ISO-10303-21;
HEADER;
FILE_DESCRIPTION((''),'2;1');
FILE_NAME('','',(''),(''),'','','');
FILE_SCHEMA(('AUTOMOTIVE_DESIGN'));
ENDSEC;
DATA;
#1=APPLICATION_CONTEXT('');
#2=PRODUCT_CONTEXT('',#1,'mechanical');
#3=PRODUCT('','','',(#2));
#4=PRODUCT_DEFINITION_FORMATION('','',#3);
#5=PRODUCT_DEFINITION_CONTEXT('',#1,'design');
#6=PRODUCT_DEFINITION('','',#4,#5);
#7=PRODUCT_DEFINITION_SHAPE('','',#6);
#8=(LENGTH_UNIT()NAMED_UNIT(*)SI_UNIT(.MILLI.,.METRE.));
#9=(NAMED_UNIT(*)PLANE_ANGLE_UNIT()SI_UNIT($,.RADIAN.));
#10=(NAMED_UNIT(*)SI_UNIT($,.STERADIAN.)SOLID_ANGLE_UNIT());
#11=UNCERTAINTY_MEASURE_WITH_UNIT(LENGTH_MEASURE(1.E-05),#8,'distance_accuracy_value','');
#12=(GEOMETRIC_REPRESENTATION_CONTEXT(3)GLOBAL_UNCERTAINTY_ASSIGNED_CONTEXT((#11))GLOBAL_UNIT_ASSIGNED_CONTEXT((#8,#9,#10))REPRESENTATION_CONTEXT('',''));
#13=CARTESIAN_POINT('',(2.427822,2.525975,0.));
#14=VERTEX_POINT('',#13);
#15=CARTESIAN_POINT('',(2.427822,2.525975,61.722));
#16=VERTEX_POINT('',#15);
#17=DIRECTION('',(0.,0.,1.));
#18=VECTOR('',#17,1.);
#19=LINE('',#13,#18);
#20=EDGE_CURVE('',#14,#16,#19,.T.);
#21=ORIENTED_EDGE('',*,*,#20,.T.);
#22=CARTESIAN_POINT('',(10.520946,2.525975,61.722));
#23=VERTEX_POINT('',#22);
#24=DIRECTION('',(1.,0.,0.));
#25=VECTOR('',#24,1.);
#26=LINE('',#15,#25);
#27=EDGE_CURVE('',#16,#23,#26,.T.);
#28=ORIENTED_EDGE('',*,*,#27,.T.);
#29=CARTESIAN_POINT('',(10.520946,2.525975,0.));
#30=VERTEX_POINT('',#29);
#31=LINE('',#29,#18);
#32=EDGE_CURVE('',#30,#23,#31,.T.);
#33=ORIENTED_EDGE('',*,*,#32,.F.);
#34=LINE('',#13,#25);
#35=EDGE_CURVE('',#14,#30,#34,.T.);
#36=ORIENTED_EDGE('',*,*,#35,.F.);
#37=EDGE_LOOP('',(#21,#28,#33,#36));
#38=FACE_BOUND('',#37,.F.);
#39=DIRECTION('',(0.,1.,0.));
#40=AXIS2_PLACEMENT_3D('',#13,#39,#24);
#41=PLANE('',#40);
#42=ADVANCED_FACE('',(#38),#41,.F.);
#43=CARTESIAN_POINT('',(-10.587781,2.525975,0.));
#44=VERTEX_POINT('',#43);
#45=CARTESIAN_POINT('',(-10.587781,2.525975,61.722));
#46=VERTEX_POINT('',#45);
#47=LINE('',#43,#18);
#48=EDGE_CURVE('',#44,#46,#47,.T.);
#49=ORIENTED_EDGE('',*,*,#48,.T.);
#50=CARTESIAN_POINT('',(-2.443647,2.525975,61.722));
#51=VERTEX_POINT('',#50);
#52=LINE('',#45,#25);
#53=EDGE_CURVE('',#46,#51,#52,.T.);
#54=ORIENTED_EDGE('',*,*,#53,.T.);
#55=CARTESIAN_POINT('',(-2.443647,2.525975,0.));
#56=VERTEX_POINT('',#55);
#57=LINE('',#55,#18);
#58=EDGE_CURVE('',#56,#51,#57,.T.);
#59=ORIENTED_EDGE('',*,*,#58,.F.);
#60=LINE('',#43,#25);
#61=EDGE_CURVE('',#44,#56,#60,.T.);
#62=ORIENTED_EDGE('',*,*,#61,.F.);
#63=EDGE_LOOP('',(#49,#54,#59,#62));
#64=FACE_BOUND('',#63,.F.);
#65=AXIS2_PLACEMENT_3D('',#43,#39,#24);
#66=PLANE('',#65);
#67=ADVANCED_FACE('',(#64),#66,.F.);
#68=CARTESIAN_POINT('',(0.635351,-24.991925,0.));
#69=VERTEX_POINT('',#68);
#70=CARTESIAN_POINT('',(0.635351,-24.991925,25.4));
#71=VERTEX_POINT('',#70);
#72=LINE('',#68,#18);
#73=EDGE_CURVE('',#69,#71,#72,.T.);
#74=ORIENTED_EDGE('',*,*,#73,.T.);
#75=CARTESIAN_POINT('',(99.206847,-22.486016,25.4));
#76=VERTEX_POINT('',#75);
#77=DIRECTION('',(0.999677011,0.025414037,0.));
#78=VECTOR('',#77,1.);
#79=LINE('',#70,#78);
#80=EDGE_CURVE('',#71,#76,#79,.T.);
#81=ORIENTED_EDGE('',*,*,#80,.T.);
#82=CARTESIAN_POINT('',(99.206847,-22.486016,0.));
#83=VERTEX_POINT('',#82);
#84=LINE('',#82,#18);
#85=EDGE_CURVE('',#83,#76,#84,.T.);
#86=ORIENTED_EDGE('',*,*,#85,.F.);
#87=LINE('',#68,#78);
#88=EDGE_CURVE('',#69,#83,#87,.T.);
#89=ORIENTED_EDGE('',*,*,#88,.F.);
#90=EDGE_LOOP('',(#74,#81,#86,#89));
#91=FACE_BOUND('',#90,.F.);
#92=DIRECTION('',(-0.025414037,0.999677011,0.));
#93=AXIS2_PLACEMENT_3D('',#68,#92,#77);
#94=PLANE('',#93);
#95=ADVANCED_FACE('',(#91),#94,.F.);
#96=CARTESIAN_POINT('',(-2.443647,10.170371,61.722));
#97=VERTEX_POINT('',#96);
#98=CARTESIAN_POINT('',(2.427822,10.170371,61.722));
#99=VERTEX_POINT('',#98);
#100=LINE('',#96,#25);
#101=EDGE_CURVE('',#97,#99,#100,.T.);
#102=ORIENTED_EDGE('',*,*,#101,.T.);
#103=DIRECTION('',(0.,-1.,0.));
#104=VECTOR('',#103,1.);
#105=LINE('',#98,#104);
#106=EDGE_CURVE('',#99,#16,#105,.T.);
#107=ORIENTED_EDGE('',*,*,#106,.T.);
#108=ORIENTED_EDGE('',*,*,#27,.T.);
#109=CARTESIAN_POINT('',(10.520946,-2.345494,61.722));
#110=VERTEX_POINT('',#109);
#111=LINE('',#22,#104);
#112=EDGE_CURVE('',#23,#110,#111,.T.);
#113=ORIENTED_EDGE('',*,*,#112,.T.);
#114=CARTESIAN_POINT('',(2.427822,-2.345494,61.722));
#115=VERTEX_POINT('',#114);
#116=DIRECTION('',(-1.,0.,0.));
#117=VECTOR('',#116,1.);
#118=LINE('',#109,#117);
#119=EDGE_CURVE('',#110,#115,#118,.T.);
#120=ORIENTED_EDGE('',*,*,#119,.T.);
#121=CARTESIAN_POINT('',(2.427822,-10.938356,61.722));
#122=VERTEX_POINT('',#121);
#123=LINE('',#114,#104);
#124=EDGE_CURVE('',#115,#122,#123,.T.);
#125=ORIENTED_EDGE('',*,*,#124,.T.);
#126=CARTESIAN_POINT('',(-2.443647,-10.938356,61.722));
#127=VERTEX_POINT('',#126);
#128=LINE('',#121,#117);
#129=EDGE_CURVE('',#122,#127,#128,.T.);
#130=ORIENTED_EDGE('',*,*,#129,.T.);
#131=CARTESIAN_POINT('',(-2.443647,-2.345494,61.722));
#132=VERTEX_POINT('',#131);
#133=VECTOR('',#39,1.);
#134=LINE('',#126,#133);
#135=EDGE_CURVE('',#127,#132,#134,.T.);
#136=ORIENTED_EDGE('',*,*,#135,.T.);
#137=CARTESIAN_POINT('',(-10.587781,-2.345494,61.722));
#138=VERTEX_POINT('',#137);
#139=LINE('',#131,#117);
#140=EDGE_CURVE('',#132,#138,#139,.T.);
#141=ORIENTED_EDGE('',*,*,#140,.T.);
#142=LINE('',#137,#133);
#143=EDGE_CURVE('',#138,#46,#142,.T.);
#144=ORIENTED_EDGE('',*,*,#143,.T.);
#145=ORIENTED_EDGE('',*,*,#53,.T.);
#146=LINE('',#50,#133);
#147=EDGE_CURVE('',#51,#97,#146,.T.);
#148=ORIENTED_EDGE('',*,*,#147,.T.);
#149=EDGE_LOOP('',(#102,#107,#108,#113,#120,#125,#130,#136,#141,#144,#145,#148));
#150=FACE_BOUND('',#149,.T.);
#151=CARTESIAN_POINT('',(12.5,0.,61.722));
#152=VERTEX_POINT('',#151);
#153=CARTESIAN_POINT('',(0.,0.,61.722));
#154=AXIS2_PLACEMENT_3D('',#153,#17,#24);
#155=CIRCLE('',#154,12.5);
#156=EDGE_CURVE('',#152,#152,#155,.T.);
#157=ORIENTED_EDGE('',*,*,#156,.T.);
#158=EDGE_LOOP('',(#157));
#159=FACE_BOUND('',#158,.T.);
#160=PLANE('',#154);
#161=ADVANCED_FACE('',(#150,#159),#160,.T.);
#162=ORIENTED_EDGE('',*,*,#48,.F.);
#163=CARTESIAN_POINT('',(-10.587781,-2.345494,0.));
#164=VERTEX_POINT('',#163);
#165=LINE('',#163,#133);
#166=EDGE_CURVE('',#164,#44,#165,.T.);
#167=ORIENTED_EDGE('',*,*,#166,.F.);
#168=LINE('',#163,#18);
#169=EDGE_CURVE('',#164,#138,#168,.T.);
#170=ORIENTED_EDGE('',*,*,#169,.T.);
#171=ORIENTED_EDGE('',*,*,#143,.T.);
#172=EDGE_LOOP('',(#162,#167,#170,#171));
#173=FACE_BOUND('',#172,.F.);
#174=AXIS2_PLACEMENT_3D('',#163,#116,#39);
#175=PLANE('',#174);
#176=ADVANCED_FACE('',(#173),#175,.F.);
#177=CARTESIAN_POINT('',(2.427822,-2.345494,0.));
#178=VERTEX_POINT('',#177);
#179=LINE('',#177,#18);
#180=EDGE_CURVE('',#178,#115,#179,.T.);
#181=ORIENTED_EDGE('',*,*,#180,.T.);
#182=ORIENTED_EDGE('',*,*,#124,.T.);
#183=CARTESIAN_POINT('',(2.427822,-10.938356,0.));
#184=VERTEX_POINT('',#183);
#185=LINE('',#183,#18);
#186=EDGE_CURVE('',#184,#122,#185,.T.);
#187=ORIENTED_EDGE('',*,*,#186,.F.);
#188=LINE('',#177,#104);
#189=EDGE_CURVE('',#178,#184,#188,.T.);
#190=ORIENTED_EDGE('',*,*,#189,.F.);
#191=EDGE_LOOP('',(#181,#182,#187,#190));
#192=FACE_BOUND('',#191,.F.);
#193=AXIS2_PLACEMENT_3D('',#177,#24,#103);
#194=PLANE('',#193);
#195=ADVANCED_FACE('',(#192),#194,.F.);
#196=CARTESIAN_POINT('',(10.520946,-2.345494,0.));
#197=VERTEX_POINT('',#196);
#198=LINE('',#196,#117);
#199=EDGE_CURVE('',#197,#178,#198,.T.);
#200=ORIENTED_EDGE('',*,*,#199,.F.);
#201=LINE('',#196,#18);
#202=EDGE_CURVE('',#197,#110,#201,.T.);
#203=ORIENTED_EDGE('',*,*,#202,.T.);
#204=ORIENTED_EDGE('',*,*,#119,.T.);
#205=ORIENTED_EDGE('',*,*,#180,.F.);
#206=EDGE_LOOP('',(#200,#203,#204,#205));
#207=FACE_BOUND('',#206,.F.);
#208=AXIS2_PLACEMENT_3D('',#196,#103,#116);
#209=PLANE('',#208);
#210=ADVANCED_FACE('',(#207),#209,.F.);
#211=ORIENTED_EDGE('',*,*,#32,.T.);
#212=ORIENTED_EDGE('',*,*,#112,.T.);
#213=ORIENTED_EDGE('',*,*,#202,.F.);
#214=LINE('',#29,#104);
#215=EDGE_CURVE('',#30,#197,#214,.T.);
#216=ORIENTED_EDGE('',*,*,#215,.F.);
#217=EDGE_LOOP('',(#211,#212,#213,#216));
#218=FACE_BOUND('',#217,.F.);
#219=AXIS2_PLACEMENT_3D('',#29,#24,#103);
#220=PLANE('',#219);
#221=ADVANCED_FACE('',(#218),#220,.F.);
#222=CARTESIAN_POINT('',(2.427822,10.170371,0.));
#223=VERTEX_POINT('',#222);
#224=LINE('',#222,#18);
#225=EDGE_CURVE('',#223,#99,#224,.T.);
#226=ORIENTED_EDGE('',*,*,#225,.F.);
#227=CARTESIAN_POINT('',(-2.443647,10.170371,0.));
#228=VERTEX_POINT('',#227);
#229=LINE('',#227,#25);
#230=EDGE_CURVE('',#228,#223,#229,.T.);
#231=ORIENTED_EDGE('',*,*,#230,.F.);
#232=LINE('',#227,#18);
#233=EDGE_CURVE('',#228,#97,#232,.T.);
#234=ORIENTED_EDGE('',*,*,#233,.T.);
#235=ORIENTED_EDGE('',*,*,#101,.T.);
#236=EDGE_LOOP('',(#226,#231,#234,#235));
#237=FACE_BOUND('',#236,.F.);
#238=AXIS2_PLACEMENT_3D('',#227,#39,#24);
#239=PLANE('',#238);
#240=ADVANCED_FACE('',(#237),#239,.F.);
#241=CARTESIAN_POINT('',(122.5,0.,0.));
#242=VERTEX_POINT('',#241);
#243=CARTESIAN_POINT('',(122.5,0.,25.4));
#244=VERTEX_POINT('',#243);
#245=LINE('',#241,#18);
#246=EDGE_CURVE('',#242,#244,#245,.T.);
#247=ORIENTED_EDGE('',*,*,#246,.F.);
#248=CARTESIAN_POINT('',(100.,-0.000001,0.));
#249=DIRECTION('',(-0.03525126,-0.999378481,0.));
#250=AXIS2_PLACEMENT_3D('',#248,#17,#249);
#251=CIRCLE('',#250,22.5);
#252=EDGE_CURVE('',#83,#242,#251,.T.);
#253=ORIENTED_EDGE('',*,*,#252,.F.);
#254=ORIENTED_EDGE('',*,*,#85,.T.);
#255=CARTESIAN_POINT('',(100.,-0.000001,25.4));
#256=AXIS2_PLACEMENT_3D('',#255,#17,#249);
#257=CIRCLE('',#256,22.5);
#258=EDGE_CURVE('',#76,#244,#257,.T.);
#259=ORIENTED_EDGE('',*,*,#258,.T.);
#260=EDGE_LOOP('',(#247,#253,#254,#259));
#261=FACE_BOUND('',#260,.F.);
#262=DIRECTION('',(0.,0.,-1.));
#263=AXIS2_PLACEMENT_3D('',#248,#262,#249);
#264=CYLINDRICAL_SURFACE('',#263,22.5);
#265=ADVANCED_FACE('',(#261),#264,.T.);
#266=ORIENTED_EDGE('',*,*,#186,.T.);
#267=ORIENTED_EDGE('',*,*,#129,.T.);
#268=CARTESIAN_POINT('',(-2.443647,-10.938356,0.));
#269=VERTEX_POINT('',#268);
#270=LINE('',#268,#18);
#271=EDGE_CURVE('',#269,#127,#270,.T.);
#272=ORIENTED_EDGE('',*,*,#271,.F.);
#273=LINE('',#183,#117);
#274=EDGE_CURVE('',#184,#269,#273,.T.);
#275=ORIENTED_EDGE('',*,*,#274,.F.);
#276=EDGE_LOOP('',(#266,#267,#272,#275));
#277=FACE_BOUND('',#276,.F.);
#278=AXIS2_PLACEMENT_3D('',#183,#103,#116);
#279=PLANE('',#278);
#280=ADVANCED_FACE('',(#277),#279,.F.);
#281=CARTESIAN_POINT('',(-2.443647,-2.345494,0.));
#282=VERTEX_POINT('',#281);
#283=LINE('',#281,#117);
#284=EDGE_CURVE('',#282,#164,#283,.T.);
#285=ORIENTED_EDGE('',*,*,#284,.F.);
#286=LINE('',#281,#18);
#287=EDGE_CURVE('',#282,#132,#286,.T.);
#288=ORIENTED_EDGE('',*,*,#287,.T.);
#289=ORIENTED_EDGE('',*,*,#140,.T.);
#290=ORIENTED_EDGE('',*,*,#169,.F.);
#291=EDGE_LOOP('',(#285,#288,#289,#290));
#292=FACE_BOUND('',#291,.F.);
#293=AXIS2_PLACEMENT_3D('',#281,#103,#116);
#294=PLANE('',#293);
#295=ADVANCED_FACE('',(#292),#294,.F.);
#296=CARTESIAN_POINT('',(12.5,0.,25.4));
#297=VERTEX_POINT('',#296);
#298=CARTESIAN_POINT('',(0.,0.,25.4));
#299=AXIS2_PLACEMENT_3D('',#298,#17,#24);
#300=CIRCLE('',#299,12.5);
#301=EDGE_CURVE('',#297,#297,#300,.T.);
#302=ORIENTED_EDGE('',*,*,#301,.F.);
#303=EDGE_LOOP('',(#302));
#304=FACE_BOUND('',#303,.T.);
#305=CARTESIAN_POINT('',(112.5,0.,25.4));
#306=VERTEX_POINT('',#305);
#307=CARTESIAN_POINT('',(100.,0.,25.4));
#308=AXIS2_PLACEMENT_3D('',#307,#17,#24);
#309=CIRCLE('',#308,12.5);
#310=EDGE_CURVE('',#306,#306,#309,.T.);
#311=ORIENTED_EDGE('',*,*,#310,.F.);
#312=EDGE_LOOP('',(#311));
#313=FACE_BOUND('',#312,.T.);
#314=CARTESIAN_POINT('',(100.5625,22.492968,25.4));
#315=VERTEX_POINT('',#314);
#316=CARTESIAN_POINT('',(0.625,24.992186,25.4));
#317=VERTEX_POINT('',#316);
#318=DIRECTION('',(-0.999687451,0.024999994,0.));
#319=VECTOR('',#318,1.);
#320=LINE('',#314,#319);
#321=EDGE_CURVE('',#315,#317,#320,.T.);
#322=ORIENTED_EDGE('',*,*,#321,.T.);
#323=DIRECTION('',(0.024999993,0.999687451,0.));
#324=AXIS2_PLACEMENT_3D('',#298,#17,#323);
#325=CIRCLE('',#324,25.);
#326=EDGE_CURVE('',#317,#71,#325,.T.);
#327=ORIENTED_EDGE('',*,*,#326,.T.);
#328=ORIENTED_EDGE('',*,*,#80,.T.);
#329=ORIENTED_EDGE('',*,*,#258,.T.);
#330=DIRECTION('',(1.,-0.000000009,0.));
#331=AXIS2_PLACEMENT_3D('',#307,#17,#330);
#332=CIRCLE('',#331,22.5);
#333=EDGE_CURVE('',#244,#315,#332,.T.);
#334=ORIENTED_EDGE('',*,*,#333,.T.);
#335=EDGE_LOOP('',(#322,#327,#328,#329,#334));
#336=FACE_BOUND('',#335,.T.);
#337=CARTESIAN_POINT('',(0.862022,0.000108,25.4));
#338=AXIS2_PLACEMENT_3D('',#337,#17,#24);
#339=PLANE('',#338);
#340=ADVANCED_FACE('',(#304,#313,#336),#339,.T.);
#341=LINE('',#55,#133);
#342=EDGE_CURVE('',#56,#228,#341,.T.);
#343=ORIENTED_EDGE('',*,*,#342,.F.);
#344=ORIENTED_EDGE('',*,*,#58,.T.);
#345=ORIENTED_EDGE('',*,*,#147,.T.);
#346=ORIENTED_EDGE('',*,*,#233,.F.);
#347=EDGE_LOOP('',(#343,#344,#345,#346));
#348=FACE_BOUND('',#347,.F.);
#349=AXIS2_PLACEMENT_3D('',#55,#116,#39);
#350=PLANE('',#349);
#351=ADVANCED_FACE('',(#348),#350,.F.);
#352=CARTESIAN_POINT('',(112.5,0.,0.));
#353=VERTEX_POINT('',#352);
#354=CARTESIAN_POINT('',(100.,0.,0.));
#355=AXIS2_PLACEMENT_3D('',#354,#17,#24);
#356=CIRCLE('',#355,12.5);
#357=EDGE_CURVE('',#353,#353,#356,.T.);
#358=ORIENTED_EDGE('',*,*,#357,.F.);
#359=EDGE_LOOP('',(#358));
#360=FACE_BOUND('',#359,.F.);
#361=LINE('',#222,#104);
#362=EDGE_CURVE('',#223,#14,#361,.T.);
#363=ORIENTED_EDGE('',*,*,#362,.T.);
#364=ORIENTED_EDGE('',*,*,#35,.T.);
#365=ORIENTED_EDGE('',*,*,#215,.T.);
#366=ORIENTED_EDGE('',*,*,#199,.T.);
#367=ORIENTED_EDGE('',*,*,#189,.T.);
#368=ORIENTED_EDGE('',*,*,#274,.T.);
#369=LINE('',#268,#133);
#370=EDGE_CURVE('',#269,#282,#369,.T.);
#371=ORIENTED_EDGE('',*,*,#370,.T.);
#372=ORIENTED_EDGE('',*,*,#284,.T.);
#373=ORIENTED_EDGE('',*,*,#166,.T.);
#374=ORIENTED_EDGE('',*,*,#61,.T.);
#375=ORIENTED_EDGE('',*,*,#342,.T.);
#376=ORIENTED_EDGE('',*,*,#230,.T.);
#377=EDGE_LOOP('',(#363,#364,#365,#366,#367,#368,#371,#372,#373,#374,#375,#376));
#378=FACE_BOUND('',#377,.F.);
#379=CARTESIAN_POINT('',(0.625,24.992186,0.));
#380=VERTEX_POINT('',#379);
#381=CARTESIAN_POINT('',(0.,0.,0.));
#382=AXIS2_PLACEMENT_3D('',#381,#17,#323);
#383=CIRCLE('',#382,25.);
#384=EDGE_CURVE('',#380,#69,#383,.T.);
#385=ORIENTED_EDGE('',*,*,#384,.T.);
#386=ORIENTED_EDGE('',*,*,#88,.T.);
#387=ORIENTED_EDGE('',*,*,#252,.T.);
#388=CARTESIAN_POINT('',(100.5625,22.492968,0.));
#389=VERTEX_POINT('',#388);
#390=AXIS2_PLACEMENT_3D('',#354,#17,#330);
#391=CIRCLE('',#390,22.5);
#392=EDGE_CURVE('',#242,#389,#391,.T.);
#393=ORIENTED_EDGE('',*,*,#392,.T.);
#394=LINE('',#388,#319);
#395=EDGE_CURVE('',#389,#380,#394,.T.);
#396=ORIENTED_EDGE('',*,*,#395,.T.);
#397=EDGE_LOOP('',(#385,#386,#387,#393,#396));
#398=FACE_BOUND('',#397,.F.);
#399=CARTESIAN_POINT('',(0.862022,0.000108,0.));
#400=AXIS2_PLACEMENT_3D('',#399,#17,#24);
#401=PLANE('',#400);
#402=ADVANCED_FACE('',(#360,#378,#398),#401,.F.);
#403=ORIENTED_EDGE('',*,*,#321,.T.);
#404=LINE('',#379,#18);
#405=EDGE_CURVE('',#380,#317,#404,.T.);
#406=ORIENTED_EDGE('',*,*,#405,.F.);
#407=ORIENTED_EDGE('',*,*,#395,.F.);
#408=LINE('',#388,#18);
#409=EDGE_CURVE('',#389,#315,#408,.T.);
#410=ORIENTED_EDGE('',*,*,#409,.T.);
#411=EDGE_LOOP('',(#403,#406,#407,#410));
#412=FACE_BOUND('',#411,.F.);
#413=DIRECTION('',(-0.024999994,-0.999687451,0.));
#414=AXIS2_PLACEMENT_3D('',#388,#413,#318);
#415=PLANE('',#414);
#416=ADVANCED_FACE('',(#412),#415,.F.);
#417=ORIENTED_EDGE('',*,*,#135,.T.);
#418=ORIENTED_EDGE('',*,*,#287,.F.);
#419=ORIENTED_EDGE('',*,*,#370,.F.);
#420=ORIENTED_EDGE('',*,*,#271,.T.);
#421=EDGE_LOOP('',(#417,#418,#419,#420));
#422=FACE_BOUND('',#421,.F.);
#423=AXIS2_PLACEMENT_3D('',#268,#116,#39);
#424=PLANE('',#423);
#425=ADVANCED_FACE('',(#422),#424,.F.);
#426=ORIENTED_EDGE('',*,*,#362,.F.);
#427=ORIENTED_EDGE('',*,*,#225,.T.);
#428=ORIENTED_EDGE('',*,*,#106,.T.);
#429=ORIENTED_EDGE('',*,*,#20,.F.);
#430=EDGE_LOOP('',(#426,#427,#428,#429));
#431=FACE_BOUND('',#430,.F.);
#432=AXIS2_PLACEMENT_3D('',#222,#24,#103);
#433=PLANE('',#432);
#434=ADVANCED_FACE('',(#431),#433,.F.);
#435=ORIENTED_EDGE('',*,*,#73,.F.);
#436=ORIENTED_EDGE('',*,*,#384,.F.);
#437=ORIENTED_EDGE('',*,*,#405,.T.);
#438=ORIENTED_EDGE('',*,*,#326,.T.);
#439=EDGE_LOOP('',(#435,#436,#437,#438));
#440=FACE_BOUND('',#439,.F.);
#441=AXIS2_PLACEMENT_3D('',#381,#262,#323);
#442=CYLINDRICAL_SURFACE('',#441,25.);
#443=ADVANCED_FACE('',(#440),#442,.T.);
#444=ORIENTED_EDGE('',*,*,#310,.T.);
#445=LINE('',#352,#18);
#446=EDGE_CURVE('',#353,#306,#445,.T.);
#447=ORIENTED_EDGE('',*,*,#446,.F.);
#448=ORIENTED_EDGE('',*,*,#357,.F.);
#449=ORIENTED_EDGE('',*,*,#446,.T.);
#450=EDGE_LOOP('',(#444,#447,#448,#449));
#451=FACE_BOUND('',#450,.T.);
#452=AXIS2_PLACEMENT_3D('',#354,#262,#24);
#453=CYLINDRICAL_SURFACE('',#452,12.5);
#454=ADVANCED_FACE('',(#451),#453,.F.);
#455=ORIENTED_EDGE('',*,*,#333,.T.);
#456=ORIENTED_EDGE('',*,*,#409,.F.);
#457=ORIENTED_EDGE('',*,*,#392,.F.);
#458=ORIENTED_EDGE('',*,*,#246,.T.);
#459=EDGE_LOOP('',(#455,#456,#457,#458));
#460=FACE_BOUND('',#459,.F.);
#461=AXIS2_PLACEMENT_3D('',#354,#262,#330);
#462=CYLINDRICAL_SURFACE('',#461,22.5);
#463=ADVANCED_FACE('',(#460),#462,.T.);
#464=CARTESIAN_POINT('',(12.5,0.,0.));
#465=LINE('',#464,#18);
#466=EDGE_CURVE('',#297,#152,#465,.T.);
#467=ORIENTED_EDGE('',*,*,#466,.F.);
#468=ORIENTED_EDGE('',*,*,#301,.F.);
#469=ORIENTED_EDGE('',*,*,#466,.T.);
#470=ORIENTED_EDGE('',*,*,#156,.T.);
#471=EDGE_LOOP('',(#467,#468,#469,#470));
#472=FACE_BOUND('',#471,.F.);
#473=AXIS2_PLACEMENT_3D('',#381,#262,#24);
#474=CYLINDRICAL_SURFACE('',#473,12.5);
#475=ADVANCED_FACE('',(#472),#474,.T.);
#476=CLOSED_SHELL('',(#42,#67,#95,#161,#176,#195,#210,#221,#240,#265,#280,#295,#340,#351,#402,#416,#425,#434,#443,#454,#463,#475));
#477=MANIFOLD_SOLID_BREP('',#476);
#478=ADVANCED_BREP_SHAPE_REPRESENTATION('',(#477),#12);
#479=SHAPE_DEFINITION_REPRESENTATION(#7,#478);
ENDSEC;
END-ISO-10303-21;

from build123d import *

# Parameters (mm, degrees)
F0_R     = 12.5
F1_DEPTH = 25.4
F2_DEPTH = 61.722


with BuildPart() as f1:
    # F0 (on Top) → F1 (new body)
    with BuildSketch(Plane.XY):
        with BuildLine():
            ThreePointArc((0.635351, -24.991925), (17.900891, -17.451593), (25, 0))
            ThreePointArc((25, 0), (17.897276, 17.4553), (0.625, 24.992186))
            ThreePointArc((0.625, 24.992186), (-24.999999, -0.005177), (0.635351, -24.991925))
        make_face()
        Circle(F0_R, mode=Mode.SUBTRACT)
        with BuildLine():
            ThreePointArc((0.625, 24.992186), (17.897276, 17.4553), (25, 0))
            ThreePointArc((25, 0), (17.900891, -17.451593), (0.635351, -24.991925))
            Line((0.635351, -24.991925), (99.206847, -22.486016))
            ThreePointArc((99.206847, -22.486016), (77.510213, 0.677835), (100.5625, 22.492968))
            Line((100.5625, 22.492968), (0.625, 24.992186))
        make_face()
        with BuildLine():
            ThreePointArc((122.5, 0), (116.107549, 15.70977), (100.5625, 22.492968))
            ThreePointArc((100.5625, 22.492968), (77.510213, 0.677835), (99.206847, -22.486016))
            ThreePointArc((99.206847, -22.486016), (115.626965, -16.187896), (122.5, 0))
        make_face()
        with Locations((100, 0)):
            Circle(F0_R, mode=Mode.SUBTRACT)
    extrude(amount=F1_DEPTH)

    # F0 (on Top) → F2 (join)
    with BuildSketch(Plane.XY):
        Circle(F0_R)
        Polygon((-2.443647, 2.525975), (-2.443647, 10.170371), (2.427822, 10.170371), (2.427822, 2.525975), (10.520946, 2.525975), (10.520946, -2.345494), (2.427822, -2.345494), (2.427822, -10.938356), (-2.443647, -10.938356), (-2.443647, -2.345494), (-10.587781, -2.345494), (-10.587781, 2.525975), align=None, mode=Mode.SUBTRACT)
    extrude(amount=F2_DEPTH)


solid = f1.part
